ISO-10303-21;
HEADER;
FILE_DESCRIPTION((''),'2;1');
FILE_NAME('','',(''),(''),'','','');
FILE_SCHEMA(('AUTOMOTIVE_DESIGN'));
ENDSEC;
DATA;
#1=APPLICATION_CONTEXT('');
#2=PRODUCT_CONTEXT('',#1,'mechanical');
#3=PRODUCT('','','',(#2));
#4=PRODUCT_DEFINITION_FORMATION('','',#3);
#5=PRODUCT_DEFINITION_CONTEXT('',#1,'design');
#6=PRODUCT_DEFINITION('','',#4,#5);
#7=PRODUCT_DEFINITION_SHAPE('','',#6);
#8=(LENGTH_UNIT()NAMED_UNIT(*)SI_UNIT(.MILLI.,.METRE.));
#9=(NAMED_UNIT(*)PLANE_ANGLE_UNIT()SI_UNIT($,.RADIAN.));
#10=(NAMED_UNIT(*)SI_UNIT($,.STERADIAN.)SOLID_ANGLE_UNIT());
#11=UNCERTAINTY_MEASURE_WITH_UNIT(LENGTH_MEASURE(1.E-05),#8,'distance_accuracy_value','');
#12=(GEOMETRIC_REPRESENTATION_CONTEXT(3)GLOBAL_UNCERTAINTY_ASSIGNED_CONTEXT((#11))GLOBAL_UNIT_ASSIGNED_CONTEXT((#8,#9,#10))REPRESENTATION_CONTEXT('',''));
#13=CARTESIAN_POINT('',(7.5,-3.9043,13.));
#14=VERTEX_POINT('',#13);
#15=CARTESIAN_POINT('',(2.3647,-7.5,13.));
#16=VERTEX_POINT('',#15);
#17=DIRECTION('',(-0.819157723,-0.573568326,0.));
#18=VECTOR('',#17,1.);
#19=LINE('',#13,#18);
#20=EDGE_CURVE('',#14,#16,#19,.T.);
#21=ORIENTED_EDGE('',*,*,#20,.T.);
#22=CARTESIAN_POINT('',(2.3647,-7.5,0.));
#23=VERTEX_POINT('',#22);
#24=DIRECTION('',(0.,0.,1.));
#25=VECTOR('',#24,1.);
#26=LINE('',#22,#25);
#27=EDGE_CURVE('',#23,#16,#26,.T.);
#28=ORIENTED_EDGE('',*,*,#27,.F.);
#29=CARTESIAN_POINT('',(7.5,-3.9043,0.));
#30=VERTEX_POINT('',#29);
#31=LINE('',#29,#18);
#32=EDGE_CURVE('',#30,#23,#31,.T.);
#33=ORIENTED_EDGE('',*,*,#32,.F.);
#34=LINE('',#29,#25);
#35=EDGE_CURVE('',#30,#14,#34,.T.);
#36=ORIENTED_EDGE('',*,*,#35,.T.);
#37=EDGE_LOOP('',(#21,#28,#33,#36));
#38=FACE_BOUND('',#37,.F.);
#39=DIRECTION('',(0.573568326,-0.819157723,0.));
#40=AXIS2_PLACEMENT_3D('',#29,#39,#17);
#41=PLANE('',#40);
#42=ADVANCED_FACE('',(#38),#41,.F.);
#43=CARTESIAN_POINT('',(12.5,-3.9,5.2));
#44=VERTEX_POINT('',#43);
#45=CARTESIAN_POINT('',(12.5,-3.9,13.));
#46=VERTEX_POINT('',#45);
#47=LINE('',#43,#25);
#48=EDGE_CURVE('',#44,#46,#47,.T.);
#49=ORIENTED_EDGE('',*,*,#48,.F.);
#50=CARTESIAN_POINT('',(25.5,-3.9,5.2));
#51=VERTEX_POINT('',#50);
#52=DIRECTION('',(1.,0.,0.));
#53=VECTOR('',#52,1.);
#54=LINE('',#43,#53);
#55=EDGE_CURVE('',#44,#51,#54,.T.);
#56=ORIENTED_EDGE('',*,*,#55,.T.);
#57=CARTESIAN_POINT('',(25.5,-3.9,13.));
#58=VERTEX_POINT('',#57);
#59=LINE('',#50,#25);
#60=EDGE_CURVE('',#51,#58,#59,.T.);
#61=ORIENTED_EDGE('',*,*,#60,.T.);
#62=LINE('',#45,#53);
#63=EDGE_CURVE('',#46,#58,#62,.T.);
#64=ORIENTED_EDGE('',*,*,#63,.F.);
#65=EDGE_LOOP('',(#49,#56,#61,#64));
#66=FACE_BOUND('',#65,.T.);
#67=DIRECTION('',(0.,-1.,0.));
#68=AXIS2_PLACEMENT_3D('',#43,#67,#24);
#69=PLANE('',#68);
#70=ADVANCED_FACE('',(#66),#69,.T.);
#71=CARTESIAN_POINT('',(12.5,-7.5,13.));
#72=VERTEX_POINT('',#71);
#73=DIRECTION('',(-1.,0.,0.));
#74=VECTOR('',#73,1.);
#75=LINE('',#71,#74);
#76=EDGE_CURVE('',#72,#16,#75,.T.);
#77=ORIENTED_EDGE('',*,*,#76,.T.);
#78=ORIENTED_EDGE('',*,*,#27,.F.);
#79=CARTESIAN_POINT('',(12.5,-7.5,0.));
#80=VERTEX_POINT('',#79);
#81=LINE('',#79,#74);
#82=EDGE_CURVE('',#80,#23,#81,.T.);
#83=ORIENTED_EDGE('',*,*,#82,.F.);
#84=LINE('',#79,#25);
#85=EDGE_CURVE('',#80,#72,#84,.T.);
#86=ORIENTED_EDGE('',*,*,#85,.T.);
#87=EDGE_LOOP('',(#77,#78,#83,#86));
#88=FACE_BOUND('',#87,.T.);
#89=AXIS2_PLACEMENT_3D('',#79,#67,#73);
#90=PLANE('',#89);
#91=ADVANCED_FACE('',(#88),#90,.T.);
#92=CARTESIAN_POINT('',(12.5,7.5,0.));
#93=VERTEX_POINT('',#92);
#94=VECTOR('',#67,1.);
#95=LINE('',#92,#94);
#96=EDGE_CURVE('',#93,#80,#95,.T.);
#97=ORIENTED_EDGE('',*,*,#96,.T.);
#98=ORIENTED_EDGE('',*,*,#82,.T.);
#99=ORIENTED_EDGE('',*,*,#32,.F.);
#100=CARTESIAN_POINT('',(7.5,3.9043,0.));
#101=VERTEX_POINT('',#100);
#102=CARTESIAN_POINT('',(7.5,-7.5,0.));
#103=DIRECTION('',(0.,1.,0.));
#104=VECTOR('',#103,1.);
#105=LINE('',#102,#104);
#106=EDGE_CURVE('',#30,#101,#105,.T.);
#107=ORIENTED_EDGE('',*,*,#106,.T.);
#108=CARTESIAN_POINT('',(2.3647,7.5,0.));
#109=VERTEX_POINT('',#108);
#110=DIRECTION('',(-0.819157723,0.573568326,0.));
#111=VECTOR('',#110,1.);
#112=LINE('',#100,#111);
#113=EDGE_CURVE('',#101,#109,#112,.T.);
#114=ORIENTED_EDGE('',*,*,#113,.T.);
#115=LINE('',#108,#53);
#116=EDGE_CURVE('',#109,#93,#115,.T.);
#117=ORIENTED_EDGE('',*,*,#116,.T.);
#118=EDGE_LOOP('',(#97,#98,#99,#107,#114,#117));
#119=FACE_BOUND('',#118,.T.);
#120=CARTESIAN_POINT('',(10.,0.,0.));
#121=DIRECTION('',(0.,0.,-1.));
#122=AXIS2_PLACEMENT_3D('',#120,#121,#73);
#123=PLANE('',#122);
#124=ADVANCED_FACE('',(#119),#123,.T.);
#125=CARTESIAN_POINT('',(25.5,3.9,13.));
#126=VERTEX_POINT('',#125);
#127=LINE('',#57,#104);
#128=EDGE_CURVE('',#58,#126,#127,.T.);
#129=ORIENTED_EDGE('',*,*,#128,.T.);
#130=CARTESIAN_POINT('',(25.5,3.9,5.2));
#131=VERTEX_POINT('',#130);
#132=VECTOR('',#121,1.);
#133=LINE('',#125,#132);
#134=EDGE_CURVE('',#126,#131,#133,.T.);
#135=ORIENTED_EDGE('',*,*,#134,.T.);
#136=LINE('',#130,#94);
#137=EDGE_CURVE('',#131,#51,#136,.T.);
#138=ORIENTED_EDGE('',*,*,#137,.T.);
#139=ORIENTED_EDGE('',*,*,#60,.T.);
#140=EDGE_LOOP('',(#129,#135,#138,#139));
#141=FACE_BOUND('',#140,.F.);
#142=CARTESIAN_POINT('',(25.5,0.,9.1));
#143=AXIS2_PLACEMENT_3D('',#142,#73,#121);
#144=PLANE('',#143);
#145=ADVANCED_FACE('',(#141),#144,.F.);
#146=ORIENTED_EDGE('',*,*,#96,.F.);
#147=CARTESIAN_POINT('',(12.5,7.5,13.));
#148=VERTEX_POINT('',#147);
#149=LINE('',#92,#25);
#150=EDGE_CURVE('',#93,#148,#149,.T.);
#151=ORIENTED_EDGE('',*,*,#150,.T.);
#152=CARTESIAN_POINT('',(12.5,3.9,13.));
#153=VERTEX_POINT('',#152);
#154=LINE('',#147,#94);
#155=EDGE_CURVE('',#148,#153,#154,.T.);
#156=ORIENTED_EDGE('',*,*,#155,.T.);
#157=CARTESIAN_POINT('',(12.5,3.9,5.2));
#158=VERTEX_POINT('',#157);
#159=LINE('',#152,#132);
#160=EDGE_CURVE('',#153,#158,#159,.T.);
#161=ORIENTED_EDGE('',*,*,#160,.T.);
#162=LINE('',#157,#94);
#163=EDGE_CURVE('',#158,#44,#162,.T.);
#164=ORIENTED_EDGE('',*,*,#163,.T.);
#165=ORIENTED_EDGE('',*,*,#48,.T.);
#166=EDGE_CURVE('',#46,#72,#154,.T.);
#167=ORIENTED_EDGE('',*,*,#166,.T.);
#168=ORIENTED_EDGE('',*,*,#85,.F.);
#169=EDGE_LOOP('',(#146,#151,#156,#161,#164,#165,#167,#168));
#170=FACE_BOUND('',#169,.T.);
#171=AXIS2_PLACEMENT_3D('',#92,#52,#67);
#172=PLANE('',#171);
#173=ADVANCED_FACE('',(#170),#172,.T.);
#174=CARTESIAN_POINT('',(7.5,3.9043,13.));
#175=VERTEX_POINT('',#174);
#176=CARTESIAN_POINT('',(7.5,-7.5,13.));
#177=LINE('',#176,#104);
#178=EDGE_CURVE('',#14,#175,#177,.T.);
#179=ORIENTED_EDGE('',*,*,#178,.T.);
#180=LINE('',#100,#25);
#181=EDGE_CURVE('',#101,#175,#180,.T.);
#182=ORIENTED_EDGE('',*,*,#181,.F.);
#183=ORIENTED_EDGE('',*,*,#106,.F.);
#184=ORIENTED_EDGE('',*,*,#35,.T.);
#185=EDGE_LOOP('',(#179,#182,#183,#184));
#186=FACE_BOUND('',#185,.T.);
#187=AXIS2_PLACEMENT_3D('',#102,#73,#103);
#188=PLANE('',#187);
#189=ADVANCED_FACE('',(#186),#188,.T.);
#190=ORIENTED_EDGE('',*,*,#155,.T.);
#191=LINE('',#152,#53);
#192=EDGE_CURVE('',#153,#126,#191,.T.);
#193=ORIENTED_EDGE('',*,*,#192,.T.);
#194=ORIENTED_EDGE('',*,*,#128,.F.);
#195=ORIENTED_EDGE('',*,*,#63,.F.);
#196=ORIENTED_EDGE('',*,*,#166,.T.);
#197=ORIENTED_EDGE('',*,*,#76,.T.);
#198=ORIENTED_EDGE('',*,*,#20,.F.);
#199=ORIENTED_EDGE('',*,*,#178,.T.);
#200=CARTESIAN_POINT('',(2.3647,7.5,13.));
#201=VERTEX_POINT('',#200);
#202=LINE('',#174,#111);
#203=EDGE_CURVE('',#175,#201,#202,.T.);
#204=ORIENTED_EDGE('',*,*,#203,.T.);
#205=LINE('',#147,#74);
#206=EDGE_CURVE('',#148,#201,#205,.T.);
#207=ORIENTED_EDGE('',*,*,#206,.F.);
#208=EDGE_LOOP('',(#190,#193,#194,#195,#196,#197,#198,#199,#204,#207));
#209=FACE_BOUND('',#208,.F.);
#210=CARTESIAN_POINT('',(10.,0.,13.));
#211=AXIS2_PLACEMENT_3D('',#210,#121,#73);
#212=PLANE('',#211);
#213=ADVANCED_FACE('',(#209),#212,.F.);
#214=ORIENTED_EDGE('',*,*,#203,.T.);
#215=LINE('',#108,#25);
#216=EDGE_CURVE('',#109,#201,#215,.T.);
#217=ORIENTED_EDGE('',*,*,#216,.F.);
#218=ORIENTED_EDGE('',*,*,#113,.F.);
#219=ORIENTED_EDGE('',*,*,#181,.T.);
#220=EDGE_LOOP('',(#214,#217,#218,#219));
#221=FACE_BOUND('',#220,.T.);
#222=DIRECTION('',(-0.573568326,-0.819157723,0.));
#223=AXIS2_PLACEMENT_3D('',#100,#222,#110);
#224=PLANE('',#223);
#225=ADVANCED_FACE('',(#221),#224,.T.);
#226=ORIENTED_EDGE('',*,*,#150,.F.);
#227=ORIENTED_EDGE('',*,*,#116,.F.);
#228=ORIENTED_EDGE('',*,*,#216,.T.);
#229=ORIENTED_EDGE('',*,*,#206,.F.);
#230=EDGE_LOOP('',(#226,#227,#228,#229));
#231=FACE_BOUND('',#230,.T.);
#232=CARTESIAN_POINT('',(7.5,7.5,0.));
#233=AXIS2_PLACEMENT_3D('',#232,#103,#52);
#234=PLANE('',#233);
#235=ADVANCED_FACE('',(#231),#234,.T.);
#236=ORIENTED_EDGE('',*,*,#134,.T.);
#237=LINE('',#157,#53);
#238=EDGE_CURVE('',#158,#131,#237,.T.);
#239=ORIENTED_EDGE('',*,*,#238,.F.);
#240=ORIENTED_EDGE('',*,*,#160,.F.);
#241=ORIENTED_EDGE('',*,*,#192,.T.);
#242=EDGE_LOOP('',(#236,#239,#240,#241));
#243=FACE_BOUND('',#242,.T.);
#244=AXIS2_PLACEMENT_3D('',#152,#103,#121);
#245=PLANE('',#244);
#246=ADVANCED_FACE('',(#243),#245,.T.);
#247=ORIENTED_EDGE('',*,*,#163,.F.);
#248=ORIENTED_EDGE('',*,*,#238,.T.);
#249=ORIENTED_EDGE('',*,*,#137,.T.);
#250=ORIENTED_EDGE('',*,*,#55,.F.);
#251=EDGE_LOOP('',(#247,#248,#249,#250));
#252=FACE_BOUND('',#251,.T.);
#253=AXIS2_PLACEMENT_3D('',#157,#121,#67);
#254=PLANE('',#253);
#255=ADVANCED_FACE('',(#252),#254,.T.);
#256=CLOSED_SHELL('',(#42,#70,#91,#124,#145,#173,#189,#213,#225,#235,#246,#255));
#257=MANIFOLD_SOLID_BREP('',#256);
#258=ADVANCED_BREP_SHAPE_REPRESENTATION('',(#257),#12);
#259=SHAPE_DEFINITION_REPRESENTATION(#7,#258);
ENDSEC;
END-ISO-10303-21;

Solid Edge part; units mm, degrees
sketch "Sketch1" plane through (0, 0, 0) normal (0, 0, 1) x (1, 0, 0)
  line L0 (12.5, 7.5) -> (12.5, -7.5)
  line L1 (12.5, -7.5) -> (7.5, -7.5)
  line L2 (7.5, -7.5) -> (7.5, 7.5)
  line L3 (7.5, 7.5) -> (12.5, 7.5)
extrude "Protrusion1" add sketch "Sketch1" along normal blind 13
sketch "Sketch2" plane through (12.5, 0, 6.5) normal (1, 0, 0) x (0, 1, 0)
  line L0 (-3.9, -1.3) -> (-3.9, 6.5)
  line L1 (-3.9, 6.5) -> (3.9, 6.5)
  line L2 (3.9, 6.5) -> (3.9, -1.3)
  line L3 (3.9, -1.3) -> (-3.9, -1.3)
extrude "ProtrusiónExtruida_2" add sketch "Sketch2" along normal blind 13
sketch "Sketch3" plane through (0, 0, 0) normal (0, 0, 1) x (1, 0, 0)
  line L0 (7.5, 7.5) -> (2.3647, 7.5)
  line L1 (7.5, 3.9043) -> (2.3647, 7.5)
  line L2 (7.5, 7.5) -> (7.5, 3.9043)
  line L3 (7.5, -3.9043) -> (2.3647, -7.5)
  line L4 (7.5, -7.5) -> (2.3647, -7.5)
  line L5 (7.5, -7.5) -> (7.5, -3.9043)
  dimension "D1" = 15
extrude "Protrusion2" add sketch "Sketch3" along normal up to vertex (13 mm away)
